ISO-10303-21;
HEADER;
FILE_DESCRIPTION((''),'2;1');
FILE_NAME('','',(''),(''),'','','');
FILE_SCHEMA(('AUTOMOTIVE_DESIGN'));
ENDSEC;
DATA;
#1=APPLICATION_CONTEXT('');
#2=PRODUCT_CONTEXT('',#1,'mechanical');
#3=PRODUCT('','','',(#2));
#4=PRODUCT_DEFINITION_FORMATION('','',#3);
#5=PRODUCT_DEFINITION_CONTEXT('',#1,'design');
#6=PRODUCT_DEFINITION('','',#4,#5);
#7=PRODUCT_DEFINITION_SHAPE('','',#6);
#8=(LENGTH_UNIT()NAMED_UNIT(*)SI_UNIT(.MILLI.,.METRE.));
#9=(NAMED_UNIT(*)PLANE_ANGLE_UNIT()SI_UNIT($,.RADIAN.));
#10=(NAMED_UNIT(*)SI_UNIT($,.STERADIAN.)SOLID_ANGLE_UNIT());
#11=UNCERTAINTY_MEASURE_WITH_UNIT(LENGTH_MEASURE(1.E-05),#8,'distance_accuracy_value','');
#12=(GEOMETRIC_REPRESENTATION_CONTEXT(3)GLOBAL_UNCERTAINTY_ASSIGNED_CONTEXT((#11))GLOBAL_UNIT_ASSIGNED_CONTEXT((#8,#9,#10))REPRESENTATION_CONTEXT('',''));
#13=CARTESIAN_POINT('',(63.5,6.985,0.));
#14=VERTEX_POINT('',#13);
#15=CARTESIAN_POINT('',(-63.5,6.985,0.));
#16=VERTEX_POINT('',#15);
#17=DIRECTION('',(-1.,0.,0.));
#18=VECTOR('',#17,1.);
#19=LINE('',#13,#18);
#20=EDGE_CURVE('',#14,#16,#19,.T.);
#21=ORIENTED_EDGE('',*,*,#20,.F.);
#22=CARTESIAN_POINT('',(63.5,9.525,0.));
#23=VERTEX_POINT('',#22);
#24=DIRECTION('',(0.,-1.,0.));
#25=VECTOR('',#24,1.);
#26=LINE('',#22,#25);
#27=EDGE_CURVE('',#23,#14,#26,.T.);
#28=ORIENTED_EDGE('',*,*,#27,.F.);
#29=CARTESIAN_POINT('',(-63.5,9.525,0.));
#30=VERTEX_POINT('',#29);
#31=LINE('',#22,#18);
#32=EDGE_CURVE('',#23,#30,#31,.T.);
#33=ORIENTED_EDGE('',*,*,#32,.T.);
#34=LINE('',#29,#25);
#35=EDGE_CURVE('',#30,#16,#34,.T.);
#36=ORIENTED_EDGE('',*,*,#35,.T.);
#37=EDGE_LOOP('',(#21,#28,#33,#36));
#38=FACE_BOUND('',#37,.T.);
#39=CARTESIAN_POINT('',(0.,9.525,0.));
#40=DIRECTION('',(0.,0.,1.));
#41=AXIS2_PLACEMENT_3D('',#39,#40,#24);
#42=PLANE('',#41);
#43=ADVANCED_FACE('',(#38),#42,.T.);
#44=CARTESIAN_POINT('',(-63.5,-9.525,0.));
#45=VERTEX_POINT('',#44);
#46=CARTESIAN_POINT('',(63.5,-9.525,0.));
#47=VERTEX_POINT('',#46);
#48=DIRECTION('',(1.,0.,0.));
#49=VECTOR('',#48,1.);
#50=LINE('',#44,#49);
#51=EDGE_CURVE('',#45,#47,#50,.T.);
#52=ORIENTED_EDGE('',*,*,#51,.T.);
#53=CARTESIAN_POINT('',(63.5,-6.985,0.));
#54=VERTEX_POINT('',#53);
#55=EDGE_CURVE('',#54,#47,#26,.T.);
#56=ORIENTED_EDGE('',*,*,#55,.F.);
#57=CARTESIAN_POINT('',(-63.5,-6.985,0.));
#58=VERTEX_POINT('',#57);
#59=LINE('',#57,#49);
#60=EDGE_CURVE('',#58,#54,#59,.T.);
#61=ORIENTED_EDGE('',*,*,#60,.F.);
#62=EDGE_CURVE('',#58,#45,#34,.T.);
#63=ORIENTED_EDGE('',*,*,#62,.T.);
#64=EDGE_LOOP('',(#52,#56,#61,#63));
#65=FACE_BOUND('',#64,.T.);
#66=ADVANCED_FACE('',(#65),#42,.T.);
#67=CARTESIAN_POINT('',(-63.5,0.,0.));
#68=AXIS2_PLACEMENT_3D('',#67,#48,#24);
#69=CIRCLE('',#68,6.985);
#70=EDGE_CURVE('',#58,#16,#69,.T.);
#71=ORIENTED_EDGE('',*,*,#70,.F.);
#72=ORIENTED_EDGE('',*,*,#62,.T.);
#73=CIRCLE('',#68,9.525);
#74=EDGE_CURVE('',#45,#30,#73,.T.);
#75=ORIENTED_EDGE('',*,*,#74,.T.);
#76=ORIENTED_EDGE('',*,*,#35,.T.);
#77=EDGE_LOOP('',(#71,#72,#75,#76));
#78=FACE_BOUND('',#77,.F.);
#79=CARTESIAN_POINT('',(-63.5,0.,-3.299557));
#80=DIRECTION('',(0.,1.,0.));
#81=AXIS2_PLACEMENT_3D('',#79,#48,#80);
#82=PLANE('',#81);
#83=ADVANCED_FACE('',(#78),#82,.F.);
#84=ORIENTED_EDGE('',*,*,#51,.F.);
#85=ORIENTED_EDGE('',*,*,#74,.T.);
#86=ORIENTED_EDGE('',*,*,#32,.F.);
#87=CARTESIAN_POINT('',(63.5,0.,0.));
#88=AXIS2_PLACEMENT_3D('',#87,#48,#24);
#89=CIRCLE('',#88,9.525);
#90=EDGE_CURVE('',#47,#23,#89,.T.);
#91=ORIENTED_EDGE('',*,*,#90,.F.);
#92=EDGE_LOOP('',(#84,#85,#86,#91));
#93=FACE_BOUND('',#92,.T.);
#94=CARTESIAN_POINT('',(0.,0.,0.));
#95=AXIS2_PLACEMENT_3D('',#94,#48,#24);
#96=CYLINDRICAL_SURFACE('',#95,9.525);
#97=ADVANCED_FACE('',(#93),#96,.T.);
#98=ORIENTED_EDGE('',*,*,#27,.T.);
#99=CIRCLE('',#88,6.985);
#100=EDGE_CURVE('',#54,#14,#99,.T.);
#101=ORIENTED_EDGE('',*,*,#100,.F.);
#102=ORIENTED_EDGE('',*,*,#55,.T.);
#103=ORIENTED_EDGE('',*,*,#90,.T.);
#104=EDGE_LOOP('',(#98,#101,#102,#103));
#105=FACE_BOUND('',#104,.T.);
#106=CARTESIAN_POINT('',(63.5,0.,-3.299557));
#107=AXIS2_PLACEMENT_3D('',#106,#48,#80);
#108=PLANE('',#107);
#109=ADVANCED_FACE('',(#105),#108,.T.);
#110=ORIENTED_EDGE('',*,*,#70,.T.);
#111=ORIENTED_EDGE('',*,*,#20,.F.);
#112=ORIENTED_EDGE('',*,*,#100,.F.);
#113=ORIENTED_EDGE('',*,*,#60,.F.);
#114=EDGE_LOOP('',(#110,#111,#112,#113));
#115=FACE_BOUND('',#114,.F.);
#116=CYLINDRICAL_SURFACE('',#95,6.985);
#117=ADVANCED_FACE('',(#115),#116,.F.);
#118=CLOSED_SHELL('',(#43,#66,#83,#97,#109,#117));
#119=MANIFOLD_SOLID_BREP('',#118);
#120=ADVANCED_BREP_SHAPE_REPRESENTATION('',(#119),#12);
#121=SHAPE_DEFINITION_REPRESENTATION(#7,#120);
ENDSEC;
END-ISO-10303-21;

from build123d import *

# Parameters (mm, degrees)
F1_DEPTH = 63.5
F2_T     = -2.54


with BuildPart() as f1:
    # F0 (on Right) → F1 (new body, symmetric)
    with BuildSketch(Plane.YZ):
        with BuildLine():
            Line((9.525, 0), (-9.525, 0))
            ThreePointArc((-9.525, 0), (0, -9.525), (9.525, 0))
        make_face()
    extrude(amount=F1_DEPTH, both=True)

    # F2
    f2_openings = [f1.faces().sort_by_distance(p)[0] for p in [
        (63.5, 0, -4.042536),
        (0, 0, 0),
        (-63.5, 0, -4.042536),
    ]]
    offset(amount=F2_T, openings=f2_openings)


solid = f1.part
